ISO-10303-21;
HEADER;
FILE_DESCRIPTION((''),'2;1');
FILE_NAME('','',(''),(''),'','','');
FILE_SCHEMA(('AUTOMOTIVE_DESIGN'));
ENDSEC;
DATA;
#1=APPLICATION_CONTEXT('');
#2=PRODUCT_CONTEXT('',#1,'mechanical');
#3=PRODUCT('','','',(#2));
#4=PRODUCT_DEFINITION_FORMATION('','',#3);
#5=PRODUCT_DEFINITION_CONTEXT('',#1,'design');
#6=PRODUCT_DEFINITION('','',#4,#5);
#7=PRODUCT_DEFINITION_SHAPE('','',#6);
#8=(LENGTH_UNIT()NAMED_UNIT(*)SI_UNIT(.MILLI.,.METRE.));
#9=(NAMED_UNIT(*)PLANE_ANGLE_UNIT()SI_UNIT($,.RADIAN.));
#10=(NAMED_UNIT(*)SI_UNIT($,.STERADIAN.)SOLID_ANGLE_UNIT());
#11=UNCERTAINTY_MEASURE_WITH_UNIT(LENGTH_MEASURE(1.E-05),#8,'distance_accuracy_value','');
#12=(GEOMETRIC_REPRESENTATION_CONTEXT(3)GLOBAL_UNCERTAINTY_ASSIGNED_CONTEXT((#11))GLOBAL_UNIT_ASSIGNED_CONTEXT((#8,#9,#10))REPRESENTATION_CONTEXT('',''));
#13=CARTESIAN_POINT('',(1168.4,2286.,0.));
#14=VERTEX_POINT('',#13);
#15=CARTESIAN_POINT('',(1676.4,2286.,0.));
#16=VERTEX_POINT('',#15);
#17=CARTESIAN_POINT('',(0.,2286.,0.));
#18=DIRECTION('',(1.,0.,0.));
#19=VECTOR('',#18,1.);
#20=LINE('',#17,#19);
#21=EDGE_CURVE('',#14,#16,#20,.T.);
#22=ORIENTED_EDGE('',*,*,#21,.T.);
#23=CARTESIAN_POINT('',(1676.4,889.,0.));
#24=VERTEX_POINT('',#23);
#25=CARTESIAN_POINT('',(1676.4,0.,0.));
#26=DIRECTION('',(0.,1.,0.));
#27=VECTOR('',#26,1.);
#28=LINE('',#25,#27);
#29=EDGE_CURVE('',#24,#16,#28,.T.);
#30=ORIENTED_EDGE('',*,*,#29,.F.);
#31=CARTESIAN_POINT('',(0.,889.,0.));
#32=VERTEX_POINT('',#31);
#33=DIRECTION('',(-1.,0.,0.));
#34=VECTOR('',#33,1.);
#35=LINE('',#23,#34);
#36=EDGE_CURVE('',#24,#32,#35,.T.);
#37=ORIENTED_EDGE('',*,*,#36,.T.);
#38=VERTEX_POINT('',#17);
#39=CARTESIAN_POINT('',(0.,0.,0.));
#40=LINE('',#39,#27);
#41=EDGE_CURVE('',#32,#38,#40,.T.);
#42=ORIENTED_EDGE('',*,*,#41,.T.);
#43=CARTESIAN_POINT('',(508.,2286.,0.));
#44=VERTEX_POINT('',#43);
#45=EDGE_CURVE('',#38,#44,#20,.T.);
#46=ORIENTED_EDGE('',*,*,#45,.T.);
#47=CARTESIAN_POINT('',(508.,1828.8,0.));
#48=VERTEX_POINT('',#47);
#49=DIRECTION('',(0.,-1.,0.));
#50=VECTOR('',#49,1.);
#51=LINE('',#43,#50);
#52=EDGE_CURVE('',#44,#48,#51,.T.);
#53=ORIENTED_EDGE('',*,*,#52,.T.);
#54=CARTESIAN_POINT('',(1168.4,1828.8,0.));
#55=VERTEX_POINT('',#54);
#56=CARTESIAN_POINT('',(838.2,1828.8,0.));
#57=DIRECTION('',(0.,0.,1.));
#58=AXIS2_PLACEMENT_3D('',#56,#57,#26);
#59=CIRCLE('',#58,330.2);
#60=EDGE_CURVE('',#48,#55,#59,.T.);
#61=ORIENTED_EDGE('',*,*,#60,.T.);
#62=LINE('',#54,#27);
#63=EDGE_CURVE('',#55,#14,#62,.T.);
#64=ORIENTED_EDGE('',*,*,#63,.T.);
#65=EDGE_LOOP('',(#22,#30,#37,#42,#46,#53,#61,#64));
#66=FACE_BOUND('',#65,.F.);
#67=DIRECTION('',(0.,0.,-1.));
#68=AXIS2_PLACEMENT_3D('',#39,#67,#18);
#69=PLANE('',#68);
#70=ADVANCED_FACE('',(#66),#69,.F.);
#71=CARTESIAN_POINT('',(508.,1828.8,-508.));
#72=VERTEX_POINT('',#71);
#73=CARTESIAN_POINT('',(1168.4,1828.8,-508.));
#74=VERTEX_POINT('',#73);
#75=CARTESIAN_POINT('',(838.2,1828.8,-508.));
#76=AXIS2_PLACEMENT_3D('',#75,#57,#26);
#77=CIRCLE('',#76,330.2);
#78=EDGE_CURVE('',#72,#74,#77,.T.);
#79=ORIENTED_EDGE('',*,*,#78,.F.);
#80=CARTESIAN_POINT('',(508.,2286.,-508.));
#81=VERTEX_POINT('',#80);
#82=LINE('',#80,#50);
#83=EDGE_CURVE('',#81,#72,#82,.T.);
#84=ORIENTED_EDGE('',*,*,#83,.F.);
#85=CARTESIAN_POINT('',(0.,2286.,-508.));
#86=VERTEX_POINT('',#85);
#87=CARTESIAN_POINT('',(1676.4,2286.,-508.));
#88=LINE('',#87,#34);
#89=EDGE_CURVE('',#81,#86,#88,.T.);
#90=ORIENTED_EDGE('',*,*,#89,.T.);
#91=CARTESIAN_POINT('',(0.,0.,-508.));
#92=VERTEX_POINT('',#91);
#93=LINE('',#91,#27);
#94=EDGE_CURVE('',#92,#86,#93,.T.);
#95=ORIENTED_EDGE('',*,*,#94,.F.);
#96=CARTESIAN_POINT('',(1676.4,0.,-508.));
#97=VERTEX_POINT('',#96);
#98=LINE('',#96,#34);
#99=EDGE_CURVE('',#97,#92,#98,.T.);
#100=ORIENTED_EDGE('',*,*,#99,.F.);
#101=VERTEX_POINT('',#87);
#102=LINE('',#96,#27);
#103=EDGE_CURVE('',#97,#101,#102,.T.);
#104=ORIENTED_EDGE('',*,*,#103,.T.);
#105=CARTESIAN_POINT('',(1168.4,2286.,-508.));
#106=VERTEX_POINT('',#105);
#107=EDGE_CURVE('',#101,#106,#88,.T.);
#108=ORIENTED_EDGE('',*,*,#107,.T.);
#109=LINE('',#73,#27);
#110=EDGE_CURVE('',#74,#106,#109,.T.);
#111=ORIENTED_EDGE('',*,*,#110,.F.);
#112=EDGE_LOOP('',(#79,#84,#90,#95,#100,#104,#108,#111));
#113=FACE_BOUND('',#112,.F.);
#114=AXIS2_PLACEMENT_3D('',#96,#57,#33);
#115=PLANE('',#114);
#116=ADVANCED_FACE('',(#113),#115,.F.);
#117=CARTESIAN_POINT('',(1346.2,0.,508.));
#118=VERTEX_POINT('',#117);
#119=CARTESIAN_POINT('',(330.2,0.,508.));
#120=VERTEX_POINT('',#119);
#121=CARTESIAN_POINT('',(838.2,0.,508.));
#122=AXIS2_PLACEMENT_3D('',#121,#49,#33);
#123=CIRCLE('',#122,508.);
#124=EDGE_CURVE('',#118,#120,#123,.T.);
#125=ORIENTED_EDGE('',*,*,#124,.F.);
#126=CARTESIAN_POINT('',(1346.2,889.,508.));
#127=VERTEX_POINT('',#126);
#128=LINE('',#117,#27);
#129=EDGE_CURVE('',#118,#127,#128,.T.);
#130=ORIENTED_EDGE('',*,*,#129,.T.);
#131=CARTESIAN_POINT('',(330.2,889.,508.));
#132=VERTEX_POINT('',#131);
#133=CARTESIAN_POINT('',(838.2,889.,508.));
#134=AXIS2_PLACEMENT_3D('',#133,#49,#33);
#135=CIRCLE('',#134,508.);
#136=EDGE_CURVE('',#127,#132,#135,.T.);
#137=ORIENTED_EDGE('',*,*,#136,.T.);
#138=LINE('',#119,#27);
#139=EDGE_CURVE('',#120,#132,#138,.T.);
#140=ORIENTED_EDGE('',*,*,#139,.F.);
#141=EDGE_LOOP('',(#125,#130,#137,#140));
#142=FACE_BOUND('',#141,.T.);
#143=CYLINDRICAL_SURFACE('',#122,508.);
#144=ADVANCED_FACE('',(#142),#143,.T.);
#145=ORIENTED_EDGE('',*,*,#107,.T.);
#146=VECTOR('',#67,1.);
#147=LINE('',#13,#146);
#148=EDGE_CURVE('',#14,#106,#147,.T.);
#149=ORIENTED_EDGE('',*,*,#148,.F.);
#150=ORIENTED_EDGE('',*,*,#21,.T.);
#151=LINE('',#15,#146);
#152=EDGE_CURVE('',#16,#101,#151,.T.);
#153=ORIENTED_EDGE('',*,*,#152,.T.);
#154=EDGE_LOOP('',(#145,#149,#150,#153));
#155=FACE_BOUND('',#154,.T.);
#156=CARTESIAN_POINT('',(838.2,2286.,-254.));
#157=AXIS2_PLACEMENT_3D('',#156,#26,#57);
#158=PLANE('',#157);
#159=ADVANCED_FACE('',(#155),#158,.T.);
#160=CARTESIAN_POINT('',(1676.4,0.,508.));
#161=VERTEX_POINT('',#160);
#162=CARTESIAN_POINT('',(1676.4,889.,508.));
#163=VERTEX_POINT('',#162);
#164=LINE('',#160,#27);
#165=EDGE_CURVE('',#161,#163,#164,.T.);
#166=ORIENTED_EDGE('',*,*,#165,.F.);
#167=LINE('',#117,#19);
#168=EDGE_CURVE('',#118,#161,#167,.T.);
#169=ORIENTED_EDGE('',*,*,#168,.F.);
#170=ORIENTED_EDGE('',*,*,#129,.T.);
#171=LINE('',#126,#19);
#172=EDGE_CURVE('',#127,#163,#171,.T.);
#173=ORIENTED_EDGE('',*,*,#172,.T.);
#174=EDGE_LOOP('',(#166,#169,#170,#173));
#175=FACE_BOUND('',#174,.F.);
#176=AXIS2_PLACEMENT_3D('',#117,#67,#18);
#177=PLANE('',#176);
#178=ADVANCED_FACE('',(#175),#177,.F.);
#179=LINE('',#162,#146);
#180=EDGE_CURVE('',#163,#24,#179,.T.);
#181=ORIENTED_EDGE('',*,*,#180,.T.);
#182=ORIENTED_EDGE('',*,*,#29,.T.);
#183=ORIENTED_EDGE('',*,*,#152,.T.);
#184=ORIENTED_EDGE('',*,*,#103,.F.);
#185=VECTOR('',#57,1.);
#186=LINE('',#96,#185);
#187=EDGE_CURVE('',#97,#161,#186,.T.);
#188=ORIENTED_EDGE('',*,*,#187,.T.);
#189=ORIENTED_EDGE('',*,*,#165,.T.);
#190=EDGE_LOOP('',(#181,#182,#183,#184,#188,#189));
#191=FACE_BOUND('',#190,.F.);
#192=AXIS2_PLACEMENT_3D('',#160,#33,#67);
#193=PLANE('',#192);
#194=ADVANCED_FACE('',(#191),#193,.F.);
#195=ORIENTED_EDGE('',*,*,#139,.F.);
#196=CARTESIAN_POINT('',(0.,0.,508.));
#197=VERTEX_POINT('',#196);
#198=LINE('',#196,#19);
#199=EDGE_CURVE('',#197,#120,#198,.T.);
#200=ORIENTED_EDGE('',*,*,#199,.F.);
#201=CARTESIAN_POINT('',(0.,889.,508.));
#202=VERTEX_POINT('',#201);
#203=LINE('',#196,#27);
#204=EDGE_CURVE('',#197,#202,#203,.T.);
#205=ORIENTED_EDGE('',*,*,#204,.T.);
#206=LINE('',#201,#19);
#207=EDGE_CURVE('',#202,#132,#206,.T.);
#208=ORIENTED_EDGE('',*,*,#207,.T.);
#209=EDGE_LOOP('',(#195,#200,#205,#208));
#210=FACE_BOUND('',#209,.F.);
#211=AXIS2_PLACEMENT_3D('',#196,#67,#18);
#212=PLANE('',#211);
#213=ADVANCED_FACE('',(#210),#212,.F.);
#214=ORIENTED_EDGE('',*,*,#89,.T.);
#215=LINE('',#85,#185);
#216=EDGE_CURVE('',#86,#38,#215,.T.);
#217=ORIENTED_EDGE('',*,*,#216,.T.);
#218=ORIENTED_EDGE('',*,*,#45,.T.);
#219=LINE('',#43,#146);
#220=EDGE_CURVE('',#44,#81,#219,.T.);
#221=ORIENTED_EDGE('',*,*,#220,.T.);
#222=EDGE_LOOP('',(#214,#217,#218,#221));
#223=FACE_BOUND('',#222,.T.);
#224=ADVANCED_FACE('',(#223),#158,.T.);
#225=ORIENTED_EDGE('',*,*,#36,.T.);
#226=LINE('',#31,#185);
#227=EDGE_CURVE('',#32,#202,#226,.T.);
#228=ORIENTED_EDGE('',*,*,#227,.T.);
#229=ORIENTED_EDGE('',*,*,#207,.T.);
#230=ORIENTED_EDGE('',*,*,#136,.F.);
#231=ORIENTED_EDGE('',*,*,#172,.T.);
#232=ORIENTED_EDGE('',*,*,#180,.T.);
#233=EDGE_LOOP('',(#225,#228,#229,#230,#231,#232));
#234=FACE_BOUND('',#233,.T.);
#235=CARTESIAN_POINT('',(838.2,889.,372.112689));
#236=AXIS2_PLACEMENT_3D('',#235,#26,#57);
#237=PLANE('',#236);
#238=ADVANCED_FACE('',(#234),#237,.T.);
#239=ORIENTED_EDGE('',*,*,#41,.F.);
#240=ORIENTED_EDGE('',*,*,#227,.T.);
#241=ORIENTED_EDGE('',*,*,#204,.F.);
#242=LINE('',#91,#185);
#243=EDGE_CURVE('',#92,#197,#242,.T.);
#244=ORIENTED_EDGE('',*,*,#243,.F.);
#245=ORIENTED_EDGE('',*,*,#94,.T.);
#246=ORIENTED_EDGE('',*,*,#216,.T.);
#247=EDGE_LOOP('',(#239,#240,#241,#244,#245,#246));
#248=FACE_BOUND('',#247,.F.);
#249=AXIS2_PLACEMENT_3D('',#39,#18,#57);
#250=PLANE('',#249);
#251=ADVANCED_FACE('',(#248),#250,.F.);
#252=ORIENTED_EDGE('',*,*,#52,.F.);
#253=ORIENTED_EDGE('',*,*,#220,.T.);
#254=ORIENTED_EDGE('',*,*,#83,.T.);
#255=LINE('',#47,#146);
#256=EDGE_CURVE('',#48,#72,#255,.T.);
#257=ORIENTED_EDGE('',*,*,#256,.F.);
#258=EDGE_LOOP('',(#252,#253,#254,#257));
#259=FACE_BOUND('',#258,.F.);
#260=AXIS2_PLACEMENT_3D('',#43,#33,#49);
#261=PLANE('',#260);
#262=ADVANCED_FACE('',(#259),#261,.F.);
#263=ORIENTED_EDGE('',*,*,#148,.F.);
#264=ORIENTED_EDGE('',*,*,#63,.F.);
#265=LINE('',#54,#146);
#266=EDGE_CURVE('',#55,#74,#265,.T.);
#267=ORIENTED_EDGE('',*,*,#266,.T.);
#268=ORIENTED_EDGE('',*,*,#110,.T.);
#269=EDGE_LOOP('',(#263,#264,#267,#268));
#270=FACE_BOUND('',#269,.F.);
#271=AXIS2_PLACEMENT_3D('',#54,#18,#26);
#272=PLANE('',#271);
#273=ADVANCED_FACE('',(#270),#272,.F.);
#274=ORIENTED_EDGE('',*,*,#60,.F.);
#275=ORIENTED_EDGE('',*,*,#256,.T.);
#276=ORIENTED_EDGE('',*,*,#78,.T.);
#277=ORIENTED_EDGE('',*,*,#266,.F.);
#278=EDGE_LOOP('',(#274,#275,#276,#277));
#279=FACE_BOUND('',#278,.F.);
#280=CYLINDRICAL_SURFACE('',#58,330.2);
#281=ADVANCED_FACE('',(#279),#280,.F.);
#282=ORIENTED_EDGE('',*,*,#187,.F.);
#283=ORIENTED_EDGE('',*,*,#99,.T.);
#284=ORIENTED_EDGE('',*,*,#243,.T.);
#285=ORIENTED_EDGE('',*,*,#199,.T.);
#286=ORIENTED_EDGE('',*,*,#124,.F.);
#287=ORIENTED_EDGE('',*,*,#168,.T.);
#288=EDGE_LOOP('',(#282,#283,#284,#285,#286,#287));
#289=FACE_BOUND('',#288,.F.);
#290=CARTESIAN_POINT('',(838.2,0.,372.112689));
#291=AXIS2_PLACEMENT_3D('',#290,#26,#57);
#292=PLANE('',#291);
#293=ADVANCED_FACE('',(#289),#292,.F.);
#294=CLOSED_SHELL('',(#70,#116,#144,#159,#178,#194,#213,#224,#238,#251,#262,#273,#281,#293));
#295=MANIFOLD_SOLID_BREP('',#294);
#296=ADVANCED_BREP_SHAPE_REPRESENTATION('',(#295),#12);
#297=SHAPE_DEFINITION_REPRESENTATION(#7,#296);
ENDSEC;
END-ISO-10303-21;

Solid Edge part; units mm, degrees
sketch "Sketch1" plane through (0, 0, 0) normal (0, 1, 0) x (-1, 0, 0)
  line L0 (0, 508) -> (-330.2, 508)
  line L1 (0, 0) -> (0, 508)
  line L2 (-1676.4, 0) -> (0, 0)
  line L3 (-1676.4, 508) -> (-1676.4, 0)
  line L4 (-1346.2, 508) -> (-1676.4, 508)
  arc A0 (-1346.2, 508) -> (-330.2, 508) centre (-838.2, 508) cw
extrude "Protrusion1" add sketch "Sketch1" along normal blind 889
sketch "Sketch2" plane through (0, 0, 0) normal (0, 1, 0) x (-1, 0, 0)
  line L0 (0, -508) -> (0, 0)
  line L1 (0, 0) -> (-1676.4, 0)
  line L2 (-1676.4, 0) -> (-1676.4, -508)
  line L3 (-1676.4, -508) -> (0, -508)
extrude "ExtrudedProtrusion_7" add sketch "Sketch2" along normal blind 2286
sketch "Sketch3" plane through (838.2, 1587.5, 0) normal (0, 0, 1) x (0, 1, 0)
  line L0 (698.5, 330.2) -> (241.3, 330.2)
  arc A0 (241.3, 330.2) -> (241.3, -330.2) centre (241.3, 0) ccw
  line L1 (241.3, -330.2) -> (698.5, -330.2)
extrude "ExtrudedCutout_2" cut sketch "Sketch3" against normal blind 508 material side at (508.05, 2057.4, 0)
